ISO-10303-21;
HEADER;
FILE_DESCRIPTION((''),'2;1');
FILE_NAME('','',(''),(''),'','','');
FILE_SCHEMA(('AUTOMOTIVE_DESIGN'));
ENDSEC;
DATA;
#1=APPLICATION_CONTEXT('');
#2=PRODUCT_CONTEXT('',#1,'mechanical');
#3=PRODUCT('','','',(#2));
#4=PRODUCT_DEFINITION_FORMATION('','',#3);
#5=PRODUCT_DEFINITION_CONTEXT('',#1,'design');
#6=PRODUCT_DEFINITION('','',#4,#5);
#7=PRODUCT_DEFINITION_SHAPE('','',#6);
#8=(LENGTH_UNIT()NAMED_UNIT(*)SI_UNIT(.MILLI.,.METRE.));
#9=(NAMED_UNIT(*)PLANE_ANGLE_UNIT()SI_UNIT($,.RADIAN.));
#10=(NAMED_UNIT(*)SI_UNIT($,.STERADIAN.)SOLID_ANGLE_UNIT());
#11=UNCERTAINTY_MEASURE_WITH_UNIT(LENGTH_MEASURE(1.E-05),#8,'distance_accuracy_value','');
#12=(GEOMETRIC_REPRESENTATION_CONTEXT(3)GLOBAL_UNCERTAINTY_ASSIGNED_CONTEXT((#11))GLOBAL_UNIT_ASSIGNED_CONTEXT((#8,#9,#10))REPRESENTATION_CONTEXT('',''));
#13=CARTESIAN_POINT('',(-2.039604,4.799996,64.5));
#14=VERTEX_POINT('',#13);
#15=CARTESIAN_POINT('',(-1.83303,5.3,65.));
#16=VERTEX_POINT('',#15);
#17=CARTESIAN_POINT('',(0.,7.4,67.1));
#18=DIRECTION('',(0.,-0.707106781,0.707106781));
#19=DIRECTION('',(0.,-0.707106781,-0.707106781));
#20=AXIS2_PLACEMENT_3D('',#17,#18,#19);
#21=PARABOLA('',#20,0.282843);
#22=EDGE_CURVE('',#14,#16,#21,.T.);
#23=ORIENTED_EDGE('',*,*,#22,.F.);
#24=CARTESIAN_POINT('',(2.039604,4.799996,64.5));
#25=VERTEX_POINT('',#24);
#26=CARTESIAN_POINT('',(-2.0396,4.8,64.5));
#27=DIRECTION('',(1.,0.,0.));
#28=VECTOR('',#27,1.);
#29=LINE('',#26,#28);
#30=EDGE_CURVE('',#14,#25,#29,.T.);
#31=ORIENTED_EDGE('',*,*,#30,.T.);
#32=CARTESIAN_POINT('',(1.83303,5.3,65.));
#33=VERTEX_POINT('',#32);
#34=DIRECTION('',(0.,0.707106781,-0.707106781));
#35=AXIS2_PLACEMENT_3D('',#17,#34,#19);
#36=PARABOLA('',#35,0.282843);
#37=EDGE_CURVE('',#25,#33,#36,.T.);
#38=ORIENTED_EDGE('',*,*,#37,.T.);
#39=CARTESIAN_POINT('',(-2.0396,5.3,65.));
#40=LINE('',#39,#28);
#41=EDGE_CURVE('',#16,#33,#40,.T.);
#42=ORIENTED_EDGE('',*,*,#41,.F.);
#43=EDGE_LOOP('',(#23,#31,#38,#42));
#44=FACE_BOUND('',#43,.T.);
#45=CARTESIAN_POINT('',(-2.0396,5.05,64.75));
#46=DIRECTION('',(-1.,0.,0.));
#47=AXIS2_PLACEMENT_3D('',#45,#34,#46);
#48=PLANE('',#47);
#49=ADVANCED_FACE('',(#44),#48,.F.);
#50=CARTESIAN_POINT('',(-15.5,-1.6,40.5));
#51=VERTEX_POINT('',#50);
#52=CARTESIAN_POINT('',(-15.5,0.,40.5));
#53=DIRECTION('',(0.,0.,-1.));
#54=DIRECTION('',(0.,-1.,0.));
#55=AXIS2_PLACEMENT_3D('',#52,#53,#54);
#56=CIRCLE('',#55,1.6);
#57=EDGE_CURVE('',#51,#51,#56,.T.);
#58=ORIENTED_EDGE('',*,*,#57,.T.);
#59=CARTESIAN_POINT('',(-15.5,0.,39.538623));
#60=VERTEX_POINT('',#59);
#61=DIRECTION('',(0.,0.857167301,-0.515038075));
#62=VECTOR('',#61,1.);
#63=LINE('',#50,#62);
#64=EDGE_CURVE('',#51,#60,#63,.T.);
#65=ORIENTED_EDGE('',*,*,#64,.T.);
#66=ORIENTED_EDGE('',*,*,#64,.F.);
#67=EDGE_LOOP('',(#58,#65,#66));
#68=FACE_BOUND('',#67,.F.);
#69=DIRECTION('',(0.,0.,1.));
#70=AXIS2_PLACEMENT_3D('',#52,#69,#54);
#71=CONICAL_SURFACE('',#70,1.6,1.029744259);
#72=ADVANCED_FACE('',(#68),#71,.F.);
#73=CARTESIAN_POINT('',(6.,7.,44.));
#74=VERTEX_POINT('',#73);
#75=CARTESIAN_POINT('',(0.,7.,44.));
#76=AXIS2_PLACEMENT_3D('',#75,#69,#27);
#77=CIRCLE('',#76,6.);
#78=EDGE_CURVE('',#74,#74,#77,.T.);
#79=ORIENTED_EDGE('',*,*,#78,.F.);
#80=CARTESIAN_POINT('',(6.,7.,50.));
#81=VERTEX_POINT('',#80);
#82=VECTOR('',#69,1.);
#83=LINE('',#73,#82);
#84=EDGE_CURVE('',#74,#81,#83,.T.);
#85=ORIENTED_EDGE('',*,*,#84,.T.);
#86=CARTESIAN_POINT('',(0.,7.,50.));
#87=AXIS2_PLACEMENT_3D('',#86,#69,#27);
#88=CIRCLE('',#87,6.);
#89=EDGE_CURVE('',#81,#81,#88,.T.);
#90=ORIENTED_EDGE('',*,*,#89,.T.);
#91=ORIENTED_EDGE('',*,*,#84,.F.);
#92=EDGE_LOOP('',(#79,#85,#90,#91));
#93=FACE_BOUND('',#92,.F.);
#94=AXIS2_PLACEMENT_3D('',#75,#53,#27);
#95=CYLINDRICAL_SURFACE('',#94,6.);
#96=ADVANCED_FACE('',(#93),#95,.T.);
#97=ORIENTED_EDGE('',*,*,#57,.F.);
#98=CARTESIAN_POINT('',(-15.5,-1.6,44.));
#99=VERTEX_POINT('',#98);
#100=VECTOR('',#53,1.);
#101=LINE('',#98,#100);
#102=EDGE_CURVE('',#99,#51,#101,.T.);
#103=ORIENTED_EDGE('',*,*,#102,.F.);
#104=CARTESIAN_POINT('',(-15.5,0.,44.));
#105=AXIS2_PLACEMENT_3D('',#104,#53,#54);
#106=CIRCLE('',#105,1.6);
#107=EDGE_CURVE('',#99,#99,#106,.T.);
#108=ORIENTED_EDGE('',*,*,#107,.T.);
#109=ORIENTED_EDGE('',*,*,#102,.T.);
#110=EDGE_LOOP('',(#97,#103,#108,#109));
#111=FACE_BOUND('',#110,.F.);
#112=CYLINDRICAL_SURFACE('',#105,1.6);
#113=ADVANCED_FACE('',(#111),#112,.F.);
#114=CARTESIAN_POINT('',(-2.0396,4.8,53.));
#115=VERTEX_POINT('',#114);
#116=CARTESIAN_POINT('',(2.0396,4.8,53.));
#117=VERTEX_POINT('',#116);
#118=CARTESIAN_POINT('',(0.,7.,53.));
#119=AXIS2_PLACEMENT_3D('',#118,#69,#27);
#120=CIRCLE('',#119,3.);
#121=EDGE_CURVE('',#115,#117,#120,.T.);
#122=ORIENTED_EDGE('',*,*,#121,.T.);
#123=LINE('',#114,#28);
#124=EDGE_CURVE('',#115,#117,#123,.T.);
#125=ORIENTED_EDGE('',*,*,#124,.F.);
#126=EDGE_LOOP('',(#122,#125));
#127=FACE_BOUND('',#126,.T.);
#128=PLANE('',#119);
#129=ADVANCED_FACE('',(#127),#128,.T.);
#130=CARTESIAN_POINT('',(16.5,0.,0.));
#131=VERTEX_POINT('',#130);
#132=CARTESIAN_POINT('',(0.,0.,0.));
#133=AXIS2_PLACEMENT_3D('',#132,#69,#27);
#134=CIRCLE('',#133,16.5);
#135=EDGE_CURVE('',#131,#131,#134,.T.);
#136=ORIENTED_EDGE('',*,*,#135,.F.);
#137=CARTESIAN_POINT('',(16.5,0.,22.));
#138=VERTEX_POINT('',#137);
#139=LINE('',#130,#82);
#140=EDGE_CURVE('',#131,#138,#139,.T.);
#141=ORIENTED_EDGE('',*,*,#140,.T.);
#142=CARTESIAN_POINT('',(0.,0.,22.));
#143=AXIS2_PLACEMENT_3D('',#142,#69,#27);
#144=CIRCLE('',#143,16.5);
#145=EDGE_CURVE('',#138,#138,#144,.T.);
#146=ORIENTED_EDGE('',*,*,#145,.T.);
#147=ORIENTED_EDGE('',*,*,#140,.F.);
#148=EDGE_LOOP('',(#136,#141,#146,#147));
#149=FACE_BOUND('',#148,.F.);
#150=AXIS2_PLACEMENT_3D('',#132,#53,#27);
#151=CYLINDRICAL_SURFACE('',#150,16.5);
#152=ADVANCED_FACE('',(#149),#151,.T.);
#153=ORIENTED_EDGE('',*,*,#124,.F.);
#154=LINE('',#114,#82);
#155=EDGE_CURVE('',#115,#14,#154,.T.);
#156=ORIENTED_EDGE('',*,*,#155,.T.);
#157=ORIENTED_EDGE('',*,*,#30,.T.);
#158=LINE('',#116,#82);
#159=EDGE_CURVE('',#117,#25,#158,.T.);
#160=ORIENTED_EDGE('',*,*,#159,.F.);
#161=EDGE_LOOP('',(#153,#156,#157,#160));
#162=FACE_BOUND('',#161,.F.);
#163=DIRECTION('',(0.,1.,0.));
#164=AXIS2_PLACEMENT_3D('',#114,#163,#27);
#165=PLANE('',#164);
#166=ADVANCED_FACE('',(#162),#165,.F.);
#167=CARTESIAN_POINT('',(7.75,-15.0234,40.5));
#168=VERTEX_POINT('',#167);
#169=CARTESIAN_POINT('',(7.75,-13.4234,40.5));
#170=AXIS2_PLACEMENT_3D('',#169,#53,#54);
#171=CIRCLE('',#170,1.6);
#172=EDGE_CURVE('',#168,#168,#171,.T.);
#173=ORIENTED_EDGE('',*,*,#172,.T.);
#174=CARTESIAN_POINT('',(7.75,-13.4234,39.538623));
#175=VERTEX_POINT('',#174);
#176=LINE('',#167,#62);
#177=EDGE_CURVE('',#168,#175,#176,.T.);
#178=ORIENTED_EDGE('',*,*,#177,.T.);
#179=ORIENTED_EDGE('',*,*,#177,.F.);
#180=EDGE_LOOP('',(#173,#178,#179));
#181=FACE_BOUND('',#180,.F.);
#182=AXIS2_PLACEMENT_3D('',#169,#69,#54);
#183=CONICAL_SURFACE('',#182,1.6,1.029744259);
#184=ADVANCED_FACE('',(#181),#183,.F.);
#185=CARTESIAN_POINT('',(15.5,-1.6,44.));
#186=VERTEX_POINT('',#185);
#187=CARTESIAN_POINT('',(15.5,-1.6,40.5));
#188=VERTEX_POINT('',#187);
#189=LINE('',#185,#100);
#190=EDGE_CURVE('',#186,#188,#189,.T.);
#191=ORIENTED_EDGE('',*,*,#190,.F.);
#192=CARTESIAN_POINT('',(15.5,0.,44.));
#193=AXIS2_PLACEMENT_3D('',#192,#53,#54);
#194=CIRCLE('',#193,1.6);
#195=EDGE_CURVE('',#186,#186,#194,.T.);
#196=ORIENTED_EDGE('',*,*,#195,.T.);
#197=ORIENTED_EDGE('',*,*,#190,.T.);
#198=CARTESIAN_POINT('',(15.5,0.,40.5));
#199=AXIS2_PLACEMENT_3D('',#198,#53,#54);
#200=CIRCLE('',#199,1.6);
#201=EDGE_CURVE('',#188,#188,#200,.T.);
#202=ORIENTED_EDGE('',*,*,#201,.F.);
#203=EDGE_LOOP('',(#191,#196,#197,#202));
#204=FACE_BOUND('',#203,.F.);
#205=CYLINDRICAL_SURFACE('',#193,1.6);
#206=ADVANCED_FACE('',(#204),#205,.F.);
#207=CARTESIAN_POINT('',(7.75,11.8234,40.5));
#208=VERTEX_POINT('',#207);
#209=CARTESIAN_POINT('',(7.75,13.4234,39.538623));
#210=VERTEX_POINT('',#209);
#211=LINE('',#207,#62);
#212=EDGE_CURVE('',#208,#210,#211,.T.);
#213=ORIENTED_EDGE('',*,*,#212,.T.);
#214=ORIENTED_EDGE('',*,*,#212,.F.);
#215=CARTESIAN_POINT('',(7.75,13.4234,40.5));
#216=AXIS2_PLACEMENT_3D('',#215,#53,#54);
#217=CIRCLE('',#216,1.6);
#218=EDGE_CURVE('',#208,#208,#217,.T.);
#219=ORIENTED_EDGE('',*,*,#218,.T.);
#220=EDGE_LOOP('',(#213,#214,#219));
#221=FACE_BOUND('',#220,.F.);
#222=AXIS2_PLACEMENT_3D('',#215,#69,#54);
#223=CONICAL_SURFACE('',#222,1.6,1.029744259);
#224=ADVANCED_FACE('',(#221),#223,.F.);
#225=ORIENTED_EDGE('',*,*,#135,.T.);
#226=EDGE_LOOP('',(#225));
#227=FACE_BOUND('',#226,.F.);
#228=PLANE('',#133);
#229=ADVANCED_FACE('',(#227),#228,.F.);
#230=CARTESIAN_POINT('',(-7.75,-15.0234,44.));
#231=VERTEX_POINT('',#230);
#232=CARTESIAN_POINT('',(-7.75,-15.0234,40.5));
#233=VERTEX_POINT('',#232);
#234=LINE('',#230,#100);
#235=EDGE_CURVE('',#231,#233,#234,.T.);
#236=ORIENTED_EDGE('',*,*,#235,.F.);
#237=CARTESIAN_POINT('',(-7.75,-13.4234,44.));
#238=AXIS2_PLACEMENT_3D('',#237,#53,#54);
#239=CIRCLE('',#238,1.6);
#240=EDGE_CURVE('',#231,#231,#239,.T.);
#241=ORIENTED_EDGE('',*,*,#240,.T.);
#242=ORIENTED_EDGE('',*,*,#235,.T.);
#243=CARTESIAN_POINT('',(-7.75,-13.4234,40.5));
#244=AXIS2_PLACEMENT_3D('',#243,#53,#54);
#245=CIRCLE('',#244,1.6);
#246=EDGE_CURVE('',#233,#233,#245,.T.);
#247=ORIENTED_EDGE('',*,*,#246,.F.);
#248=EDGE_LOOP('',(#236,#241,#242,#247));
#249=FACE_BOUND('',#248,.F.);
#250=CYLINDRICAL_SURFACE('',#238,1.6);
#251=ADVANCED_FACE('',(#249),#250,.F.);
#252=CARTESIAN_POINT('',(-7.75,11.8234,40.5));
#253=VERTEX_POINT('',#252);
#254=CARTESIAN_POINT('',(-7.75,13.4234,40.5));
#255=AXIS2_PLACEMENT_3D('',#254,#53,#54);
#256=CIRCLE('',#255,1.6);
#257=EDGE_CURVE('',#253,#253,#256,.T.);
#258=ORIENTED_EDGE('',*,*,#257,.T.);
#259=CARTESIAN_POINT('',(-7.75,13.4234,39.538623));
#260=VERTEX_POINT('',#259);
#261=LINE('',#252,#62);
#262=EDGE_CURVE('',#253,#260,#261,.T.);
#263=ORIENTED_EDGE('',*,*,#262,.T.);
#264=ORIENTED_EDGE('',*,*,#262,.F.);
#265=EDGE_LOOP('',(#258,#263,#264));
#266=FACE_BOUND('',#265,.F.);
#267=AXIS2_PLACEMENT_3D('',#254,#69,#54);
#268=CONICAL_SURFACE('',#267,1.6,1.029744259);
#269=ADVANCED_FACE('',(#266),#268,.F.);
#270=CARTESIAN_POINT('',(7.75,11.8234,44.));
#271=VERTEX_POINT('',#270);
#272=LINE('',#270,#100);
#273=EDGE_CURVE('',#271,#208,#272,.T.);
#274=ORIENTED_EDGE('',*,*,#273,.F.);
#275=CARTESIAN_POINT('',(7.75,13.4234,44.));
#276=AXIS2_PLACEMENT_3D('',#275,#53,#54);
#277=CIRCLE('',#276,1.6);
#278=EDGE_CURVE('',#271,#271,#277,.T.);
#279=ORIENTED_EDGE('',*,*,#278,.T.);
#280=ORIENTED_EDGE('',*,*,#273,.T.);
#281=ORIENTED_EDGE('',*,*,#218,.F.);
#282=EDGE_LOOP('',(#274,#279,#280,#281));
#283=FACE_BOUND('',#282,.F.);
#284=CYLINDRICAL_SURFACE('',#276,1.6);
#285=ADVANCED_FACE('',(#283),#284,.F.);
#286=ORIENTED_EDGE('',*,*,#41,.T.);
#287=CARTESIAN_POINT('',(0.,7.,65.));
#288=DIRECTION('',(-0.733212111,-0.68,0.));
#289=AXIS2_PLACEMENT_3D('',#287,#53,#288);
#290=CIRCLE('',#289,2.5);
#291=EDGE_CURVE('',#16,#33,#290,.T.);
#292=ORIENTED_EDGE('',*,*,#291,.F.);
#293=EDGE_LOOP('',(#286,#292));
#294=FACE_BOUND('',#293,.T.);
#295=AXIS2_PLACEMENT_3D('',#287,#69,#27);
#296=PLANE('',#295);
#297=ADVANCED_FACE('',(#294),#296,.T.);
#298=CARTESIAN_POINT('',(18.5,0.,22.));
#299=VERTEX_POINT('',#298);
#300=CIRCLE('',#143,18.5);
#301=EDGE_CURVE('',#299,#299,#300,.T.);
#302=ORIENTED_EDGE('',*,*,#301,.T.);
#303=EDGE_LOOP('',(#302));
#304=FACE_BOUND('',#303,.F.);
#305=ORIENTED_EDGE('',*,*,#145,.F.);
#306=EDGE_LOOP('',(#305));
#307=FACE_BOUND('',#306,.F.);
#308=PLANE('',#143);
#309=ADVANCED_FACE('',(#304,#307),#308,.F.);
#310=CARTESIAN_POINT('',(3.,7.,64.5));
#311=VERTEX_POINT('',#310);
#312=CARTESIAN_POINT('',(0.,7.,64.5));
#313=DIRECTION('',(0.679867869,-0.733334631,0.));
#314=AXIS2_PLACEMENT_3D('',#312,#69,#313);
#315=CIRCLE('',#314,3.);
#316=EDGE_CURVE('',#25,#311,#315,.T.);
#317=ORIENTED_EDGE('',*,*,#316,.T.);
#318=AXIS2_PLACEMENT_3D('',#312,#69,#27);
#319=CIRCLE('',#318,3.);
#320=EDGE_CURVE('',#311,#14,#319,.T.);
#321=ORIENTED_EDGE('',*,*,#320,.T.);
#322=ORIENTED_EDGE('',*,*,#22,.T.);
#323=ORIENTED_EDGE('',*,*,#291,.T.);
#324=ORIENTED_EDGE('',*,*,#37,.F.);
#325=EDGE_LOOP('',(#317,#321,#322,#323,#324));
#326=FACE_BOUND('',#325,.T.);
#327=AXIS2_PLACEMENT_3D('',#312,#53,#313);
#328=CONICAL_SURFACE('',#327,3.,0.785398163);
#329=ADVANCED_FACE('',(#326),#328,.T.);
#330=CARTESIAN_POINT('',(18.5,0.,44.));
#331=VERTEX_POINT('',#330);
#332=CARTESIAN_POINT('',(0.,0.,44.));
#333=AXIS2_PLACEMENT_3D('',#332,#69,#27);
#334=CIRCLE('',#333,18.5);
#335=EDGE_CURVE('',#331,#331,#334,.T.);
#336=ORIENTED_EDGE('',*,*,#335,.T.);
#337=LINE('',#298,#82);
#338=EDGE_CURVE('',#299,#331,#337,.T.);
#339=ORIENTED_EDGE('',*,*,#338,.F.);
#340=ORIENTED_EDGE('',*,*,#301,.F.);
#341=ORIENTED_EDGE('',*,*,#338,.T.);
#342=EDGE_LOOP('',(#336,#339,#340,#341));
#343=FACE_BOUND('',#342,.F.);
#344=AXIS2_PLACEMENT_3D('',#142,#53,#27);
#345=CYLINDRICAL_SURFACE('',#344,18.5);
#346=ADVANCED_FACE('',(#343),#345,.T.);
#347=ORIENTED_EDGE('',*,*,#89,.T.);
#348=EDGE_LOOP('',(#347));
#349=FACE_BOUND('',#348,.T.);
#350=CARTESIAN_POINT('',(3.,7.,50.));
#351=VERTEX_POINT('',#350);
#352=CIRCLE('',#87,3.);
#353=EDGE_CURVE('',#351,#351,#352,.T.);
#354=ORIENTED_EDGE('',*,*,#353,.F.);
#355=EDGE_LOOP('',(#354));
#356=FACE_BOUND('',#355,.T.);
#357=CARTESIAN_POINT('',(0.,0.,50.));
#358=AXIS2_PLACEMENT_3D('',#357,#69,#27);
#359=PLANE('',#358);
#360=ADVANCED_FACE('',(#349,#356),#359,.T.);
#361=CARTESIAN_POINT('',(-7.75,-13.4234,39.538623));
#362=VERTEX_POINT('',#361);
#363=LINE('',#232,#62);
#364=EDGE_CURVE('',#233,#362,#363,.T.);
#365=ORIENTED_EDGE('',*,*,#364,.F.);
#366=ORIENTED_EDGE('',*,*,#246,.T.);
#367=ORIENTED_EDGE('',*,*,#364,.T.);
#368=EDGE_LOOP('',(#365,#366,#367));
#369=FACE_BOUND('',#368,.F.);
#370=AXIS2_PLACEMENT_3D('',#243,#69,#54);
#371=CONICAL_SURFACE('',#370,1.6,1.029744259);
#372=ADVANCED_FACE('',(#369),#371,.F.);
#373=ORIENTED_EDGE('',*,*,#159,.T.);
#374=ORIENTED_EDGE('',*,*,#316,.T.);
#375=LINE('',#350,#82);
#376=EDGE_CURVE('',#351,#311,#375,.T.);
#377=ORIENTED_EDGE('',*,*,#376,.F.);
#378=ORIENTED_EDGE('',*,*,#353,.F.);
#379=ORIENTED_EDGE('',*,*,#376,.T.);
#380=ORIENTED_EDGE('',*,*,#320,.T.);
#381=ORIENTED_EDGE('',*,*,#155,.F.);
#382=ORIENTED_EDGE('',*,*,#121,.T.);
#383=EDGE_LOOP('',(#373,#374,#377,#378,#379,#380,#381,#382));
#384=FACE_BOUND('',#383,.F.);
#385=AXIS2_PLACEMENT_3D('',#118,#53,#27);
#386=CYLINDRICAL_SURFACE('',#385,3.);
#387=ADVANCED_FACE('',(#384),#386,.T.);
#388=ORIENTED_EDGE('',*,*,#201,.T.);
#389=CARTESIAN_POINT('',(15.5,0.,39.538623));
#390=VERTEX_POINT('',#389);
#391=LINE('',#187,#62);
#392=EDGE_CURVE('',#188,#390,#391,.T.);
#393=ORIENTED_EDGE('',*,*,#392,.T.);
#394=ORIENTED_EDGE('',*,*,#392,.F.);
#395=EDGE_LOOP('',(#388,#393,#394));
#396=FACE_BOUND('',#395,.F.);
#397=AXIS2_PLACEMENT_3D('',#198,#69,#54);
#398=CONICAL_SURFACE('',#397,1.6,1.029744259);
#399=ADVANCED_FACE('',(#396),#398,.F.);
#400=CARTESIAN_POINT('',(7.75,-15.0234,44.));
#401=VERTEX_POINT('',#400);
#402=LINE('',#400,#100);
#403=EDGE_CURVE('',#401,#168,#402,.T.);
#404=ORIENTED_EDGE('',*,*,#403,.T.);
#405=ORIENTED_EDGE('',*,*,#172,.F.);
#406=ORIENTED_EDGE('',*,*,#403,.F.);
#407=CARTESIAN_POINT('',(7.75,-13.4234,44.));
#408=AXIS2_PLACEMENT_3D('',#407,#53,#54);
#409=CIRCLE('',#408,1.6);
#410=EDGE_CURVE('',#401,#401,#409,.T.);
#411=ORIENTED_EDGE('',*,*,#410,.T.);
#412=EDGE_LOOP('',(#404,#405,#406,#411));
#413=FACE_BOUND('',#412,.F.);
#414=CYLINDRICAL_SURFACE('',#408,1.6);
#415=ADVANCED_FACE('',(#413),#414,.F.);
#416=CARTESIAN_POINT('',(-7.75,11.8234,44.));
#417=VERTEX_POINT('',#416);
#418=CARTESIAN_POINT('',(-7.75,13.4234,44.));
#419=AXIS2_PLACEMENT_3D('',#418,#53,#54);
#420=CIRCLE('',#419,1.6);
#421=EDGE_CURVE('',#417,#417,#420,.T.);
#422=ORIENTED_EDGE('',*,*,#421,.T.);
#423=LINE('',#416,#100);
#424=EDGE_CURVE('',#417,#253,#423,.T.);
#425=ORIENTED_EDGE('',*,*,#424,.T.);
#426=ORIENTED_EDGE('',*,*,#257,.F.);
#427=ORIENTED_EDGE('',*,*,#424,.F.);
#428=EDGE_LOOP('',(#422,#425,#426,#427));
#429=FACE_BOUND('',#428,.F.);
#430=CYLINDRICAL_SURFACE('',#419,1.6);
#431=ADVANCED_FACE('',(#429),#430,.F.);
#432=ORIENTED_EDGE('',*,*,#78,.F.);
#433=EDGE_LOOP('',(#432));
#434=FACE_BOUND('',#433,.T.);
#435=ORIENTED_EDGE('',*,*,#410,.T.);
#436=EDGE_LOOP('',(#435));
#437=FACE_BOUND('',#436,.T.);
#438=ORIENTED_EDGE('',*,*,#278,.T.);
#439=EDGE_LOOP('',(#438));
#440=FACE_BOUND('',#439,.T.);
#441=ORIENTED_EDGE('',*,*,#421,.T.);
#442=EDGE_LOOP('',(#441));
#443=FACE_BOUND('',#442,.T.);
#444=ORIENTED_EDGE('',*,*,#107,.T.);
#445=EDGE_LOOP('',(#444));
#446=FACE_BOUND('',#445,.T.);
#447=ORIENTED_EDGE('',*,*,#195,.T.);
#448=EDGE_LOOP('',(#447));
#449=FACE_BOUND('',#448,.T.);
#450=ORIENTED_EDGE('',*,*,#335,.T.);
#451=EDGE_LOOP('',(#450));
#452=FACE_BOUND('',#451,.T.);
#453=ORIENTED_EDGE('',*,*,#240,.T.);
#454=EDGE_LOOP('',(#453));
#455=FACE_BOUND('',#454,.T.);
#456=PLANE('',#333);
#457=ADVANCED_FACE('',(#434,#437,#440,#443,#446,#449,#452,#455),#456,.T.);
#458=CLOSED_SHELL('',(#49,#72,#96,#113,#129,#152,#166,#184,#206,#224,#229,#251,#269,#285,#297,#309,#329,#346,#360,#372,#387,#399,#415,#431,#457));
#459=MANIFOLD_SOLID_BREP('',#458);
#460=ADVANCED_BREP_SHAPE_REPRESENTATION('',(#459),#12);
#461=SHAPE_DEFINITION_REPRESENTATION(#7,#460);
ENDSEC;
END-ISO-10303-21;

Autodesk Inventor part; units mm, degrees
ref_plane "YZ Plane" through (0, 0, 0) normal (1, 0, 0) x (0, 1, 0)
ref_plane "XZ Plane" through (0, 0, 0) normal (0, 1, 0) x (-1, 0, 0)
ref_plane "XY Plane" through (0, 0, 0) normal (0, 0, 1) x (1, 0, 0)
sketch "Sketch1" plane through (0, 0, 0) normal (0, 0, 1) x (1, 0, 0)
  circle A0 centre (0, 0) radius 16.5
  dimension "d0" = 33
extrude "Extrusion1" add sketch "Sketch1" along normal blind 22
sketch "Sketch2" plane through (0, 0, 22) normal (0, 0, 1) x (1, 0, 0)
  circle A0 centre (0, 0) radius 16.5 projected
  circle A1 centre (0, 0) radius 18.5
  dimension "d4" = 37
extrude "Extrusion2" add sketch "Sketch2" along normal blind 22 contours A0 | A1
sketch "Sketch3" plane through (0, 0, 44) normal (0, 0, 1) x (1, 0, 0)
  circle A0 centre (0, 7) radius 6
  point P0 (0, 0)
  dimension "d7" = 12
  dimension "d8" = 7
extrude "Extrusion3" add sketch "Sketch3" along normal blind 6
sketch "Sketch4" plane through (0, 7, 50) normal (0, 0, 1) x (1, 0, 0)
  circle A0 centre (0, 0) radius 3
  circle A1 centre (0, 0) radius 6 construction
  point P0 (0, -7)
  dimension "d11" = 6
extrude "Extrusion4" add sketch "Sketch4" along normal blind 3
sketch "Sketch5" plane through (0, 7, 53) normal (0, 0, 1) x (1, 0, 0)
  circle A0 centre (0, 0) radius 3 projected
  circle A1 centre (0, 0) radius 3 projected
  line L0 (-2.0396, -2.2) -> (2.0396, -2.2)
  point P0 (0, -7)
  dimension "d14" = 5.2
extrude "Extrusion5" add sketch "Sketch5" along normal blind 12 contours A0 L0 picked at (0.0839, -0.4702)
chamfer "Chamfer1" distance 0.5 angle 45 2 edges at (0, 10, 65) (0, 4.8, 65)
sketch "Sketch6" plane through (0, 0, 44) normal (0, 0, 1) x (1, 0, 0)
  circle A0 centre (0, 0) radius 15.5 construction
  line L0 (0, -25.9) -> (0, 25.9) construction
  point P0 (15.5, 0)
  point P1 (-15.5, 0)
  point P2 (-7.75, -13.4234)
  point P3 (7.75, 13.4234)
  point P4 (7.75, -13.4234)
  point P5 (-7.75, 13.4234)
  dimension "d20" = 31
  dimension "d23" = 120
hole "Hole1" at (15.5, 0, 44) at (-15.5, 0, 44) at (-7.75, -13.4234, 44) at (7.75, 13.4234, 44) at (7.75, -13.4234, 44) at (-7.75, 13.4234, 44) direction (0, 0, -1) diameter 3.2 depth 3.5 tip angle 118
properties part number "12v DC motor"
